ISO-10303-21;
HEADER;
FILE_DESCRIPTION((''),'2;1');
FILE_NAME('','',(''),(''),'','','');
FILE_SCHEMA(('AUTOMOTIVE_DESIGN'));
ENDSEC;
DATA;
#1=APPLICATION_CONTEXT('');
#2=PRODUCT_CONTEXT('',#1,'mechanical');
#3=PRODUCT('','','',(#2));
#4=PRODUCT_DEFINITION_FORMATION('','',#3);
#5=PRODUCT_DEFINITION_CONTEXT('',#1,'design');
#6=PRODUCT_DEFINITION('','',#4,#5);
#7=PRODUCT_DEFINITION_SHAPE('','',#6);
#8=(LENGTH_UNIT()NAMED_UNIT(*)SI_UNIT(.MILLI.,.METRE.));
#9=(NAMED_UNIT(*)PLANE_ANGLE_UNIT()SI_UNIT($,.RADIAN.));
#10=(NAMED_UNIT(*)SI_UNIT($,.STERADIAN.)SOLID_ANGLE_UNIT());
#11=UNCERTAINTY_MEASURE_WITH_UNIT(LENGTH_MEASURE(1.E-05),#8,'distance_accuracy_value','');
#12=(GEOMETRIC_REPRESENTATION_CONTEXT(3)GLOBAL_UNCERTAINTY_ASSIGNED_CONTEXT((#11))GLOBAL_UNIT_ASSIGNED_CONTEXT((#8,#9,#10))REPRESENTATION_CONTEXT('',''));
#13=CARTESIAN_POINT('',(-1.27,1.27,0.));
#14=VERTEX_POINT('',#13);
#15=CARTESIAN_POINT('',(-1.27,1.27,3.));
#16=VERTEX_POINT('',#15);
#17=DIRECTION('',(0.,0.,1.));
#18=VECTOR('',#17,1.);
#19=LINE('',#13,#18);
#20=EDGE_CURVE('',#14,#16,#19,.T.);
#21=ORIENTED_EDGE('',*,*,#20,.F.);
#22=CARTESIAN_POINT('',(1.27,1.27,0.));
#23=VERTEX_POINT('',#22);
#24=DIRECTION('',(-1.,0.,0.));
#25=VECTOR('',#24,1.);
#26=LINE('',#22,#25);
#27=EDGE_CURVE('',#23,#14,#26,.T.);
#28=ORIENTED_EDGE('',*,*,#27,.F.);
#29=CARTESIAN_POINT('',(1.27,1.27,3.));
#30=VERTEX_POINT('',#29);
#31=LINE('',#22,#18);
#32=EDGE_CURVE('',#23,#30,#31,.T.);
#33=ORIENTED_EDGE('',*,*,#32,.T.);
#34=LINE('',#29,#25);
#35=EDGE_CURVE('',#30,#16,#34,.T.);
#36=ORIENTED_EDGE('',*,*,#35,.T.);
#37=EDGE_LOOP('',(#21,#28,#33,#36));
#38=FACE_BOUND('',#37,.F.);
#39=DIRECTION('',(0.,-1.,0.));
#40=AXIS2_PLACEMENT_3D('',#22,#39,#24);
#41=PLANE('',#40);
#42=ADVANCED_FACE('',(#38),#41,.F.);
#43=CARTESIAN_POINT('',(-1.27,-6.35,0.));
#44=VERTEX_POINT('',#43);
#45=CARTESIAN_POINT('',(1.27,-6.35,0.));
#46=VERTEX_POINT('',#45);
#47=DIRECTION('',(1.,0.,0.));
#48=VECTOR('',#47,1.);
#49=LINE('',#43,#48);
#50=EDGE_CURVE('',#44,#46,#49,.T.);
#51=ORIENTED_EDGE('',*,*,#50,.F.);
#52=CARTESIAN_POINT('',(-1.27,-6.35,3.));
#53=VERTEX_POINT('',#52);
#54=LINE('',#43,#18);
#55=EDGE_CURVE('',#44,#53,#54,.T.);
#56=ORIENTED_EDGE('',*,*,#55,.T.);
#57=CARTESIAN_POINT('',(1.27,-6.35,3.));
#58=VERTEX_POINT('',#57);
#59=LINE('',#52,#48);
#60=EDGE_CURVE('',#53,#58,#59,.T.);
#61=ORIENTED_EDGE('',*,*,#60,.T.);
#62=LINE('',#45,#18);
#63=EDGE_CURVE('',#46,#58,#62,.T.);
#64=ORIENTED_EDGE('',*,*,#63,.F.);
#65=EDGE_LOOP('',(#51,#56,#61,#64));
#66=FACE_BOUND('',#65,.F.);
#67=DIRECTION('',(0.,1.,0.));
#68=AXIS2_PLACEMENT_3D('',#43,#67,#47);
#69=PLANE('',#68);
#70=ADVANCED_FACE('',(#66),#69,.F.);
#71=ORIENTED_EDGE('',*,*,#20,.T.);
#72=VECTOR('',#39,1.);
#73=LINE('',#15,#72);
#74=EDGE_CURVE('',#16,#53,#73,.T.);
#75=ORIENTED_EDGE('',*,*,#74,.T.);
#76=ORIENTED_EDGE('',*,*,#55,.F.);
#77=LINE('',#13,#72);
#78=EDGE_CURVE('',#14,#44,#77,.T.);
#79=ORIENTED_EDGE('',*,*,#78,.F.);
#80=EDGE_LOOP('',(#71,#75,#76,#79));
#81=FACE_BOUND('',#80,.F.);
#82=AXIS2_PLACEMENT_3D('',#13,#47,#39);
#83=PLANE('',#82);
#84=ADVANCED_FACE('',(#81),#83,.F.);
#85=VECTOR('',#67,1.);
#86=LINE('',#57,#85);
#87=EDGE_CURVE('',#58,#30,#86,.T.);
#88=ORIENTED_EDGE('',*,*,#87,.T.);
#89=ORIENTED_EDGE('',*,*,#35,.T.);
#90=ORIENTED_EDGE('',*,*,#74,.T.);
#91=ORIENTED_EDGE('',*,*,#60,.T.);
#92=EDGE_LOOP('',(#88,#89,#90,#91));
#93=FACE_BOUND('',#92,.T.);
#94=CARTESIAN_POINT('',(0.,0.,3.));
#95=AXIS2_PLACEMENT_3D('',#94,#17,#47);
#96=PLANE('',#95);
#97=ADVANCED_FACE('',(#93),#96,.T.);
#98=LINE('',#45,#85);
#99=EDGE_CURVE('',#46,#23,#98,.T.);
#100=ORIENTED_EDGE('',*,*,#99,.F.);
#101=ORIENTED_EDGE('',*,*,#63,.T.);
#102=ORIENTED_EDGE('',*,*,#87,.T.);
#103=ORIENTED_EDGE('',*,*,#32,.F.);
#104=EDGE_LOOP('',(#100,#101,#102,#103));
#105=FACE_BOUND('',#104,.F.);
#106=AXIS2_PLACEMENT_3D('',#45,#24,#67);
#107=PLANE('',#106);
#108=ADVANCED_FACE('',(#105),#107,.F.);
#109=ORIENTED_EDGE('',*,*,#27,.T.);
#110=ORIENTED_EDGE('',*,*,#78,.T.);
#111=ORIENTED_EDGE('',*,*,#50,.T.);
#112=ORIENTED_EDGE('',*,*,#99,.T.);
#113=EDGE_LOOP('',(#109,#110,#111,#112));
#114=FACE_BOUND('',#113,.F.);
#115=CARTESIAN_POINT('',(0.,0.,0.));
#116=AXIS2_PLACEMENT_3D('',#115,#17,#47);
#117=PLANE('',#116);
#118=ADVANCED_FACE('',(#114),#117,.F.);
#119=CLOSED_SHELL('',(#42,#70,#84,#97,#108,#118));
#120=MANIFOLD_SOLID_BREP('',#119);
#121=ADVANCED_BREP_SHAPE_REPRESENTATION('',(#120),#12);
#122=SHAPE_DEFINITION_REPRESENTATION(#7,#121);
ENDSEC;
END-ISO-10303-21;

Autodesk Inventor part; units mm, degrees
ref_plane "YZ Plane" through (0, 0, 0) normal (1, 0, 0) x (0, 1, 0)
ref_plane "XZ Plane" through (0, 0, 0) normal (0, 1, 0) x (-1, 0, 0)
ref_plane "XY Plane" through (0, 0, 0) normal (0, 0, 1) x (1, 0, 0)
sketch "3, 3WP_3" plane through (0, 0, 0) normal (0, 0, 1) x (1, 0, 0)
  line L0 (-1.27, 1.27) -> (-1.27, -6.35)
  line L1 (-1.27, -6.35) -> (1.27, -6.35)
  line L2 (1.27, -6.35) -> (1.27, 1.27)
  line L3 (1.27, 1.27) -> (-1.27, 1.27)
extrude "Extrusion1" add sketch "3, 3WP_3" along normal blind 3
properties part number "3WP"
